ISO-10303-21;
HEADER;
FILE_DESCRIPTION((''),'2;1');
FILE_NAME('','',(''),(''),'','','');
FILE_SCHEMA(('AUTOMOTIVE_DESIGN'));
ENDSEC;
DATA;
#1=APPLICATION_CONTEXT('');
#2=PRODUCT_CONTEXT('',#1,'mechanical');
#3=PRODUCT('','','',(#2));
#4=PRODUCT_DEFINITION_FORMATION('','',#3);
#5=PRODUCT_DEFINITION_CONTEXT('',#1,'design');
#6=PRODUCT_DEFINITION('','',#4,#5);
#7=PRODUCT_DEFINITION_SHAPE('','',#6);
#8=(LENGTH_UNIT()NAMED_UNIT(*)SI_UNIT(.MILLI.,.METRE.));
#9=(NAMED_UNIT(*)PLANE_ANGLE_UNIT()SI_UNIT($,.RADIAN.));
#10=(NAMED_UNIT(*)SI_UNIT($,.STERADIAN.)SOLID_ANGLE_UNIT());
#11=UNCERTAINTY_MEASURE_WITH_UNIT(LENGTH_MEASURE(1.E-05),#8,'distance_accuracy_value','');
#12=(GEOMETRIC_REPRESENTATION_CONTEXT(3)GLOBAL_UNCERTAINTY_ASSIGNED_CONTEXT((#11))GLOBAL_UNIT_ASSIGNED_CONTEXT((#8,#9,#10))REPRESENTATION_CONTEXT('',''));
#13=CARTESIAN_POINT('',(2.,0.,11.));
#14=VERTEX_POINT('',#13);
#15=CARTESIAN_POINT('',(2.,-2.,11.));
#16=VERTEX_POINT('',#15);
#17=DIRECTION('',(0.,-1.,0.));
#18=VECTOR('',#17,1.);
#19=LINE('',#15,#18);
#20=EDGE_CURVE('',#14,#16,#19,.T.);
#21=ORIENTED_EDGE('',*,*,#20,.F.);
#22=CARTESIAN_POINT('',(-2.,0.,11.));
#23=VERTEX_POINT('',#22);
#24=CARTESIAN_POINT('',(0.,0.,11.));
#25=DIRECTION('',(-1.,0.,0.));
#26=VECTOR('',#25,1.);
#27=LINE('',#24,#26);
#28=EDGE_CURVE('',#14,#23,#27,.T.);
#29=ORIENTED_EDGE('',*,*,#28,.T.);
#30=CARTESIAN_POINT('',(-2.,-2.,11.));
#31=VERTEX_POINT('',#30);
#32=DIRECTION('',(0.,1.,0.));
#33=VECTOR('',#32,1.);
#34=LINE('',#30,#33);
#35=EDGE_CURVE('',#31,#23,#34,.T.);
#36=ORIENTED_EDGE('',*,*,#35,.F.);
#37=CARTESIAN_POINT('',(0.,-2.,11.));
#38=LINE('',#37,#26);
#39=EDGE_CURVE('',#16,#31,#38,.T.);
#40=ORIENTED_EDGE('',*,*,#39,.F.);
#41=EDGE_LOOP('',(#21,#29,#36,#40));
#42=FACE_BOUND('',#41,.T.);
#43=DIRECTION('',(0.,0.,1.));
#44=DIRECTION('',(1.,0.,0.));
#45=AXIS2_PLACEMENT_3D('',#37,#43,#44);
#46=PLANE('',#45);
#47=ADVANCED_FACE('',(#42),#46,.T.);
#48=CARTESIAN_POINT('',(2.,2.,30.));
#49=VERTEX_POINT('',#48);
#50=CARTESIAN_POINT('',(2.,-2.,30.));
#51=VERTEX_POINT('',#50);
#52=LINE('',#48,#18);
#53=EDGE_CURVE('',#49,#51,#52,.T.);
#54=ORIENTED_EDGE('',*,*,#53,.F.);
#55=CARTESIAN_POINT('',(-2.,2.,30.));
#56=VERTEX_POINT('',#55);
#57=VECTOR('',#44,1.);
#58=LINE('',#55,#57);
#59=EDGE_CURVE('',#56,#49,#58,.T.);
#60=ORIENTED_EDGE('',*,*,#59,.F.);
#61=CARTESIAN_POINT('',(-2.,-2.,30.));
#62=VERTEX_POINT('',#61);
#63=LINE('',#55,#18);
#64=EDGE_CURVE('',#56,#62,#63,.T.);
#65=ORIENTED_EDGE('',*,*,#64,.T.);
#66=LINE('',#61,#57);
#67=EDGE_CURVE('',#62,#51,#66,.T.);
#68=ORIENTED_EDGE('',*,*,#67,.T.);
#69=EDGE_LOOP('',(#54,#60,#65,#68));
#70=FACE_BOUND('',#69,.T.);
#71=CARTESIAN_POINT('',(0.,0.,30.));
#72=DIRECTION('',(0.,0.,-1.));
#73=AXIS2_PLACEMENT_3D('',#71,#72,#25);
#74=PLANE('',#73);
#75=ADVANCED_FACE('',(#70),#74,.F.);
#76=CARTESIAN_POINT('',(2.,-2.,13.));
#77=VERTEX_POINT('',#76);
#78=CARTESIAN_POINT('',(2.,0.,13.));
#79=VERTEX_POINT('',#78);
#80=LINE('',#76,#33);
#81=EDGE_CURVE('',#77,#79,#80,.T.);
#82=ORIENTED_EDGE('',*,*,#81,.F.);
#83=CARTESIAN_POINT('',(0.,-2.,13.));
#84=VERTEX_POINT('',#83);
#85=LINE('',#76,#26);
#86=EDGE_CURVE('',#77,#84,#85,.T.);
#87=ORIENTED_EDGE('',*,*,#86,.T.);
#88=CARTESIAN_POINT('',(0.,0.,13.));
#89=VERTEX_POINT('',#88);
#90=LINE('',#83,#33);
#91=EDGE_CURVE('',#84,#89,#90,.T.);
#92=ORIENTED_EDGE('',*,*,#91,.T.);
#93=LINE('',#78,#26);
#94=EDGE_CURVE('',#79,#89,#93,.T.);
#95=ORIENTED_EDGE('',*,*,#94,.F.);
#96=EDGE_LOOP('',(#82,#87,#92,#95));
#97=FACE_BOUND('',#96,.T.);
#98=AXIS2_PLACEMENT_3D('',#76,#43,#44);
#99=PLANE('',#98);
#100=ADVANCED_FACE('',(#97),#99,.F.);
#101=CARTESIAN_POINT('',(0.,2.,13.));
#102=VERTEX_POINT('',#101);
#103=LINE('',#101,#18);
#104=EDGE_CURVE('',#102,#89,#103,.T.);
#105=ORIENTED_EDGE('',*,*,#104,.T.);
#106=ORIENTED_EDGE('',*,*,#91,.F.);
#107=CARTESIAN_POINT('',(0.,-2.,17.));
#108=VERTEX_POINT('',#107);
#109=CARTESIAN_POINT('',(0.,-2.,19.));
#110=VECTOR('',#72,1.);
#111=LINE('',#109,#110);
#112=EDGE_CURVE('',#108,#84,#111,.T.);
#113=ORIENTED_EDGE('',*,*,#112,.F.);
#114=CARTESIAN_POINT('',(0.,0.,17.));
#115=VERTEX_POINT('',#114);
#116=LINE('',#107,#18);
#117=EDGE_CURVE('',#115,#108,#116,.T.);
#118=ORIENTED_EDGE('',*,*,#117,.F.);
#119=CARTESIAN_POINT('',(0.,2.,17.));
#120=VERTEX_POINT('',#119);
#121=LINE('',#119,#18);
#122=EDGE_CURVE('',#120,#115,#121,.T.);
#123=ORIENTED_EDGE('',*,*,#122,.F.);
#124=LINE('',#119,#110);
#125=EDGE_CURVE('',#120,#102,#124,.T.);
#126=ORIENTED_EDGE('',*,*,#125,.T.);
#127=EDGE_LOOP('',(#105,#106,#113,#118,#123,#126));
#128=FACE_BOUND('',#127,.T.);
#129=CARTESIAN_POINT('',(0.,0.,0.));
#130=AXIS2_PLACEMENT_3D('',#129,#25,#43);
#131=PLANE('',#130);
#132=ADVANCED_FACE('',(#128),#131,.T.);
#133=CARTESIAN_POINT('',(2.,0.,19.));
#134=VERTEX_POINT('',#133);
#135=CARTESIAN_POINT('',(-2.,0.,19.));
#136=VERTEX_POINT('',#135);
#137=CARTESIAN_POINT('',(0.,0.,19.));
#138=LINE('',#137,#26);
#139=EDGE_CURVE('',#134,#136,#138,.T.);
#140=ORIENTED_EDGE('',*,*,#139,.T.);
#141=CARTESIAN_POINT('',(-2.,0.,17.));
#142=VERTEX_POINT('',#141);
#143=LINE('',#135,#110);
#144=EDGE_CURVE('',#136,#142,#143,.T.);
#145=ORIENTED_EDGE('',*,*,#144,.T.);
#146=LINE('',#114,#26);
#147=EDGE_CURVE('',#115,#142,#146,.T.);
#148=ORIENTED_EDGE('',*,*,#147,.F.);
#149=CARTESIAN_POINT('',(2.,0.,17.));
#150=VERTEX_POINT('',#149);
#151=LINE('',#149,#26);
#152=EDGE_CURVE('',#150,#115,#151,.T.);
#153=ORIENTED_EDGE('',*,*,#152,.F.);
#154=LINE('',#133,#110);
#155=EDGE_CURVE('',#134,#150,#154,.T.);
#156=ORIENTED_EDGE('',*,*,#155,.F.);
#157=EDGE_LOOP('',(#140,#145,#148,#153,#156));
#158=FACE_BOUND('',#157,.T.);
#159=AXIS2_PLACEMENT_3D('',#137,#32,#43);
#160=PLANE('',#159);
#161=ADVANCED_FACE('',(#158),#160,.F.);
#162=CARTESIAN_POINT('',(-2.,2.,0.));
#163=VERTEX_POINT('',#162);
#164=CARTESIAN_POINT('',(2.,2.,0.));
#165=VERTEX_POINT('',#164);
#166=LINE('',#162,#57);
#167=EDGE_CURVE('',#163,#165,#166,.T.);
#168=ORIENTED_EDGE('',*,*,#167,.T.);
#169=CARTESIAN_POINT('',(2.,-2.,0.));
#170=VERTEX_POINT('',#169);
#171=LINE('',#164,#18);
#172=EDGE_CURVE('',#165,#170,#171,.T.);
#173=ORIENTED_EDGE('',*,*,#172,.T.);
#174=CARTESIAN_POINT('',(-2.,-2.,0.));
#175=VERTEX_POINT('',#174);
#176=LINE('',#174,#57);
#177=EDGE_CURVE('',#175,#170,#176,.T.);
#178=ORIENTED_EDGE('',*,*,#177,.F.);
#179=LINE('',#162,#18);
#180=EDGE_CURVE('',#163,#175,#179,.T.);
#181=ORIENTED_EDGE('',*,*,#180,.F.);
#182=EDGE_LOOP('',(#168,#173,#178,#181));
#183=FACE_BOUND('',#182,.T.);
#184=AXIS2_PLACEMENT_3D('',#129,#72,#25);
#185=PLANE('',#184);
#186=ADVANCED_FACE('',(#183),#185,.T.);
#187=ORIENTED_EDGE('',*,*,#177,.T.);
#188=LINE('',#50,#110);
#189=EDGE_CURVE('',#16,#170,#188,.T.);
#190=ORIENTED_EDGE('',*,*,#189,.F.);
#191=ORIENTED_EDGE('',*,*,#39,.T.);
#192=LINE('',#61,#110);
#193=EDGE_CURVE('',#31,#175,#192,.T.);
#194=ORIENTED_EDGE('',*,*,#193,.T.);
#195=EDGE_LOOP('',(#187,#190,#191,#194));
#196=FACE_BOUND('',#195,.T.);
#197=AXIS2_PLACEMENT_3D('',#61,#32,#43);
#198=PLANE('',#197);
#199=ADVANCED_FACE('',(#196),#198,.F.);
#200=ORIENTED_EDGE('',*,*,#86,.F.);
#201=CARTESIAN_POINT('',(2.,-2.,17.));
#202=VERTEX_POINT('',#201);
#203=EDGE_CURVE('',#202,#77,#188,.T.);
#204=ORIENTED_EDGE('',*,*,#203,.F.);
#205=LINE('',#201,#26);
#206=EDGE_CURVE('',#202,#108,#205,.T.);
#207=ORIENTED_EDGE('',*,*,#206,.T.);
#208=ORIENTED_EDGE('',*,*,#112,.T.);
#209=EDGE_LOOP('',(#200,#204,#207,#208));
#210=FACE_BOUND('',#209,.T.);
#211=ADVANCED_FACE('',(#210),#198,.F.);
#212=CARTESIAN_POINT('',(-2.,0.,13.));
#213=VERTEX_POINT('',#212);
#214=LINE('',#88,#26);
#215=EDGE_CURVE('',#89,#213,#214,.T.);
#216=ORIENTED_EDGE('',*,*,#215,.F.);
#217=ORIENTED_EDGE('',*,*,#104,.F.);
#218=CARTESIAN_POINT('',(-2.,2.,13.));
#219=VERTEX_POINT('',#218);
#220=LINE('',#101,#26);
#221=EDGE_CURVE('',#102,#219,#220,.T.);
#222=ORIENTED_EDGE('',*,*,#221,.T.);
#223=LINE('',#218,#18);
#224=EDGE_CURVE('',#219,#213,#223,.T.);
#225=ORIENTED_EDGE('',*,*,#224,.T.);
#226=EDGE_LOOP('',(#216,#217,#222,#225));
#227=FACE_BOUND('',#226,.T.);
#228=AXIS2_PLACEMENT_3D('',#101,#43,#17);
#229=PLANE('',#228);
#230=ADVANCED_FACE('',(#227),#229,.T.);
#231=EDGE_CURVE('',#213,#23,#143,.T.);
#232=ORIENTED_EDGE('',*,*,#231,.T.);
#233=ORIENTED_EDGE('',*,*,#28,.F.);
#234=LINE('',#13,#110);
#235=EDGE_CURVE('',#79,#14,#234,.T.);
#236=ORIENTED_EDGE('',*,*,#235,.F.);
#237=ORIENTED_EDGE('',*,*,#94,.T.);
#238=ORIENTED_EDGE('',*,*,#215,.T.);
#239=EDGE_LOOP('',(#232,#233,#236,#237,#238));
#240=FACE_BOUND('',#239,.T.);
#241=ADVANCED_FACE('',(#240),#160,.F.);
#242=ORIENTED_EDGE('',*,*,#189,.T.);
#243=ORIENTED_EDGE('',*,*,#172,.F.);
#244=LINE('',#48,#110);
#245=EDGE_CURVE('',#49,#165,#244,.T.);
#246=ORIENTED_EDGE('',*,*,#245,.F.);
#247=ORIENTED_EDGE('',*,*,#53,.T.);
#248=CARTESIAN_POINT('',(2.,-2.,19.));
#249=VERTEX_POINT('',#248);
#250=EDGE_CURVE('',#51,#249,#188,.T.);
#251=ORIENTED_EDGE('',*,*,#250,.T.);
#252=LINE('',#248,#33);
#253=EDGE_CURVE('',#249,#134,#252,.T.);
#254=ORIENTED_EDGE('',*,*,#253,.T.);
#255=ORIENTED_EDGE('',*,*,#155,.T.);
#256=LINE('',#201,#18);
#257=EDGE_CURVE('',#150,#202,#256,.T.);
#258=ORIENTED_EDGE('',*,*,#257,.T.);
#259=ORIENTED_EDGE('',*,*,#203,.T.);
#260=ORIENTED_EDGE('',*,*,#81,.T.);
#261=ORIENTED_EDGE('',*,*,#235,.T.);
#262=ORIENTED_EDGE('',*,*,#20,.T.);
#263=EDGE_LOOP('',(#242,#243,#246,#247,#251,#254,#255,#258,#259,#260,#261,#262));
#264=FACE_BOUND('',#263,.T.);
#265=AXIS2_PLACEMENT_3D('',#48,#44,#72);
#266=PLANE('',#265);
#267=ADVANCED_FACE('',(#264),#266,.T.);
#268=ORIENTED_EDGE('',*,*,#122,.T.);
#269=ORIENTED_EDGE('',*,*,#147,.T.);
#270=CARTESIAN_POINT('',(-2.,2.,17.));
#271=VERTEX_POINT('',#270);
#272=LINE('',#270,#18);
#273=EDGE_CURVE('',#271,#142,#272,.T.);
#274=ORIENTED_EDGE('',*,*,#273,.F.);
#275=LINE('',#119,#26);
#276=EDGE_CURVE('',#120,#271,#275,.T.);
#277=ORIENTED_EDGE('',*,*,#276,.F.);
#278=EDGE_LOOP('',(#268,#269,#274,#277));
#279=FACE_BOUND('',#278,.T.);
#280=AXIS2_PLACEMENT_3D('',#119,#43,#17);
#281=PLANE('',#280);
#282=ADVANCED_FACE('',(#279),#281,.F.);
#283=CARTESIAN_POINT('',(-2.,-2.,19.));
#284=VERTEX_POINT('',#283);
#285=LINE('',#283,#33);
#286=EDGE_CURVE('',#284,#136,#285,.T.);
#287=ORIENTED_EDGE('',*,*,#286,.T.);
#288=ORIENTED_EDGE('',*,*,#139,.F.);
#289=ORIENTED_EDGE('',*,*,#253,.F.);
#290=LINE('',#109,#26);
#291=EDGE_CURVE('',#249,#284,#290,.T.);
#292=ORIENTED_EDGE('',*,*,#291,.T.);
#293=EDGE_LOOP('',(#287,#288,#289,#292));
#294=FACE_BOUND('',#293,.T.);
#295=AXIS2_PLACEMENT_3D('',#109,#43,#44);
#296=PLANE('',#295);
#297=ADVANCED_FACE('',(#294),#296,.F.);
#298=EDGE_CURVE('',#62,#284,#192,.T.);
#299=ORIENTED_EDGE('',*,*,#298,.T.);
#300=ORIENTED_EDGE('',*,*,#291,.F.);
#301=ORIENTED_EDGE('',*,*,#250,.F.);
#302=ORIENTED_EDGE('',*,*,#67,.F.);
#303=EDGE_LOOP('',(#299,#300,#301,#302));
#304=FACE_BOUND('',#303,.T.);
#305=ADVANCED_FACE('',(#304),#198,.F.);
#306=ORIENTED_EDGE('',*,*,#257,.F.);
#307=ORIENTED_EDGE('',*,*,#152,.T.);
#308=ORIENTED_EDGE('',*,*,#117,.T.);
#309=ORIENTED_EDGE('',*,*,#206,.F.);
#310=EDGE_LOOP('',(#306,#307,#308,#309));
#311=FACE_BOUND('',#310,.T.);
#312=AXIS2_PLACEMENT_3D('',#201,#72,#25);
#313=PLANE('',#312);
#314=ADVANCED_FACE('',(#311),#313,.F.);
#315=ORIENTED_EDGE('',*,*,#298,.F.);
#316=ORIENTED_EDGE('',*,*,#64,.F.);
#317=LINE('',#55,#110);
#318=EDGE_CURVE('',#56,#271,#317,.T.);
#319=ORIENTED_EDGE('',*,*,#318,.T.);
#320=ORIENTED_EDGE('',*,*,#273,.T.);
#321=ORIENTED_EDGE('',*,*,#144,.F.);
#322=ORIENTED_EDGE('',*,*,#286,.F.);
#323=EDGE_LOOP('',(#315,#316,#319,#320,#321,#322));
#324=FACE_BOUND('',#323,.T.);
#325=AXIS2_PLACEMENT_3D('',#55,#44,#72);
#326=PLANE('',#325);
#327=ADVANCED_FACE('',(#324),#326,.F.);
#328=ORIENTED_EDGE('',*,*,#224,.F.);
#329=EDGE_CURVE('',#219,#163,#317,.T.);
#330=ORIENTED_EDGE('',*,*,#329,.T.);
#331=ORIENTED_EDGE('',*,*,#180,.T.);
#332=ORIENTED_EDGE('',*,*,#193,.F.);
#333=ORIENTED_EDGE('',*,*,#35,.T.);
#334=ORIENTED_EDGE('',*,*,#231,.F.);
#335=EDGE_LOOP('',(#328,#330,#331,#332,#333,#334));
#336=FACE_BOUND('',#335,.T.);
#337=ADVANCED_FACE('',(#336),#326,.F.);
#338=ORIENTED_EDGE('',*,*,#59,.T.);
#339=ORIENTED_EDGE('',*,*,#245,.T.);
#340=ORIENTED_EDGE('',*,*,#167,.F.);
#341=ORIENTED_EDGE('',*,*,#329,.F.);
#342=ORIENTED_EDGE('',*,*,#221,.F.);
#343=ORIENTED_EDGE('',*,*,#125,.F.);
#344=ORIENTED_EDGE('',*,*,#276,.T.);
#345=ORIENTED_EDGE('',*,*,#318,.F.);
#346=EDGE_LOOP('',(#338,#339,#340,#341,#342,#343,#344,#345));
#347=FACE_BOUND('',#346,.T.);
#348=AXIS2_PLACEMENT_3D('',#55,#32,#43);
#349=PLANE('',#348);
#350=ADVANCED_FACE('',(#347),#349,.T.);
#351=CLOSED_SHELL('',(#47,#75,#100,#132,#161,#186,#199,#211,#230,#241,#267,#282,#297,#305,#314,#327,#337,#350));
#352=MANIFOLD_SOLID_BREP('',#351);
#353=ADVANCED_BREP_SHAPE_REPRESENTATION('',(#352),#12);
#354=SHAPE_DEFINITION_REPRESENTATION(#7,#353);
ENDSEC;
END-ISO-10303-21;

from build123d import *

# Parameters (mm, degrees)
SKETCH_1_W          = 4
SKETCH_1_H          = 4
EXTRUDE_1_DEPTH     = 30
SKETCH_3_W          = 8
SKETCH_3_H          = 2
CUT_EXTRUDE_1_DEPTH = 2
SKETCH_5_W          = 2
SKETCH_5_H          = 2
CUT_EXTRUDE_2_DEPTH = 2
SKETCH_6_W          = 2
SKETCH_6_H          = 2
CUT_EXTRUDE_3_DEPTH = 2
SKETCH_8_W          = 2
SKETCH_8_H          = 4
CUT_EXTRUDE_4_DEPTH = 2


with BuildPart() as part:
    # 草圖1 → 填料-伸長1 (new body)
    with BuildSketch(Plane.XY):
        Rectangle(SKETCH_1_W, SKETCH_1_H)
    extrude(amount=EXTRUDE_1_DEPTH)

    # 草圖3 → 除料-伸長1 (cut)
    with BuildSketch(Plane.ZY.offset(2)):
        with Locations((15, -1)):
            Rectangle(SKETCH_3_W, SKETCH_3_H)
    extrude(amount=-CUT_EXTRUDE_1_DEPTH, mode=Mode.SUBTRACT)

    # 草圖5 → 除料-伸長2 (cut)
    with BuildSketch(Plane.ZY):
        with Locations((18, -1)):
            Rectangle(SKETCH_5_W, SKETCH_5_H)
    extrude(amount=-CUT_EXTRUDE_2_DEPTH, mode=Mode.SUBTRACT)

    # 草圖6 → 除料-伸長3 (cut)
    with BuildSketch(Plane.ZY):
        with Locations((12, -1)):
            Rectangle(SKETCH_6_W, SKETCH_6_H)
    extrude(amount=-CUT_EXTRUDE_3_DEPTH, mode=Mode.SUBTRACT)

    # 草圖8 → 除料-伸長4 (cut)
    with BuildSketch(Plane.XZ):
        with Locations((-1, 15)):
            Rectangle(SKETCH_8_W, SKETCH_8_H)
    extrude(amount=-CUT_EXTRUDE_4_DEPTH, mode=Mode.SUBTRACT)


solid = part.part
